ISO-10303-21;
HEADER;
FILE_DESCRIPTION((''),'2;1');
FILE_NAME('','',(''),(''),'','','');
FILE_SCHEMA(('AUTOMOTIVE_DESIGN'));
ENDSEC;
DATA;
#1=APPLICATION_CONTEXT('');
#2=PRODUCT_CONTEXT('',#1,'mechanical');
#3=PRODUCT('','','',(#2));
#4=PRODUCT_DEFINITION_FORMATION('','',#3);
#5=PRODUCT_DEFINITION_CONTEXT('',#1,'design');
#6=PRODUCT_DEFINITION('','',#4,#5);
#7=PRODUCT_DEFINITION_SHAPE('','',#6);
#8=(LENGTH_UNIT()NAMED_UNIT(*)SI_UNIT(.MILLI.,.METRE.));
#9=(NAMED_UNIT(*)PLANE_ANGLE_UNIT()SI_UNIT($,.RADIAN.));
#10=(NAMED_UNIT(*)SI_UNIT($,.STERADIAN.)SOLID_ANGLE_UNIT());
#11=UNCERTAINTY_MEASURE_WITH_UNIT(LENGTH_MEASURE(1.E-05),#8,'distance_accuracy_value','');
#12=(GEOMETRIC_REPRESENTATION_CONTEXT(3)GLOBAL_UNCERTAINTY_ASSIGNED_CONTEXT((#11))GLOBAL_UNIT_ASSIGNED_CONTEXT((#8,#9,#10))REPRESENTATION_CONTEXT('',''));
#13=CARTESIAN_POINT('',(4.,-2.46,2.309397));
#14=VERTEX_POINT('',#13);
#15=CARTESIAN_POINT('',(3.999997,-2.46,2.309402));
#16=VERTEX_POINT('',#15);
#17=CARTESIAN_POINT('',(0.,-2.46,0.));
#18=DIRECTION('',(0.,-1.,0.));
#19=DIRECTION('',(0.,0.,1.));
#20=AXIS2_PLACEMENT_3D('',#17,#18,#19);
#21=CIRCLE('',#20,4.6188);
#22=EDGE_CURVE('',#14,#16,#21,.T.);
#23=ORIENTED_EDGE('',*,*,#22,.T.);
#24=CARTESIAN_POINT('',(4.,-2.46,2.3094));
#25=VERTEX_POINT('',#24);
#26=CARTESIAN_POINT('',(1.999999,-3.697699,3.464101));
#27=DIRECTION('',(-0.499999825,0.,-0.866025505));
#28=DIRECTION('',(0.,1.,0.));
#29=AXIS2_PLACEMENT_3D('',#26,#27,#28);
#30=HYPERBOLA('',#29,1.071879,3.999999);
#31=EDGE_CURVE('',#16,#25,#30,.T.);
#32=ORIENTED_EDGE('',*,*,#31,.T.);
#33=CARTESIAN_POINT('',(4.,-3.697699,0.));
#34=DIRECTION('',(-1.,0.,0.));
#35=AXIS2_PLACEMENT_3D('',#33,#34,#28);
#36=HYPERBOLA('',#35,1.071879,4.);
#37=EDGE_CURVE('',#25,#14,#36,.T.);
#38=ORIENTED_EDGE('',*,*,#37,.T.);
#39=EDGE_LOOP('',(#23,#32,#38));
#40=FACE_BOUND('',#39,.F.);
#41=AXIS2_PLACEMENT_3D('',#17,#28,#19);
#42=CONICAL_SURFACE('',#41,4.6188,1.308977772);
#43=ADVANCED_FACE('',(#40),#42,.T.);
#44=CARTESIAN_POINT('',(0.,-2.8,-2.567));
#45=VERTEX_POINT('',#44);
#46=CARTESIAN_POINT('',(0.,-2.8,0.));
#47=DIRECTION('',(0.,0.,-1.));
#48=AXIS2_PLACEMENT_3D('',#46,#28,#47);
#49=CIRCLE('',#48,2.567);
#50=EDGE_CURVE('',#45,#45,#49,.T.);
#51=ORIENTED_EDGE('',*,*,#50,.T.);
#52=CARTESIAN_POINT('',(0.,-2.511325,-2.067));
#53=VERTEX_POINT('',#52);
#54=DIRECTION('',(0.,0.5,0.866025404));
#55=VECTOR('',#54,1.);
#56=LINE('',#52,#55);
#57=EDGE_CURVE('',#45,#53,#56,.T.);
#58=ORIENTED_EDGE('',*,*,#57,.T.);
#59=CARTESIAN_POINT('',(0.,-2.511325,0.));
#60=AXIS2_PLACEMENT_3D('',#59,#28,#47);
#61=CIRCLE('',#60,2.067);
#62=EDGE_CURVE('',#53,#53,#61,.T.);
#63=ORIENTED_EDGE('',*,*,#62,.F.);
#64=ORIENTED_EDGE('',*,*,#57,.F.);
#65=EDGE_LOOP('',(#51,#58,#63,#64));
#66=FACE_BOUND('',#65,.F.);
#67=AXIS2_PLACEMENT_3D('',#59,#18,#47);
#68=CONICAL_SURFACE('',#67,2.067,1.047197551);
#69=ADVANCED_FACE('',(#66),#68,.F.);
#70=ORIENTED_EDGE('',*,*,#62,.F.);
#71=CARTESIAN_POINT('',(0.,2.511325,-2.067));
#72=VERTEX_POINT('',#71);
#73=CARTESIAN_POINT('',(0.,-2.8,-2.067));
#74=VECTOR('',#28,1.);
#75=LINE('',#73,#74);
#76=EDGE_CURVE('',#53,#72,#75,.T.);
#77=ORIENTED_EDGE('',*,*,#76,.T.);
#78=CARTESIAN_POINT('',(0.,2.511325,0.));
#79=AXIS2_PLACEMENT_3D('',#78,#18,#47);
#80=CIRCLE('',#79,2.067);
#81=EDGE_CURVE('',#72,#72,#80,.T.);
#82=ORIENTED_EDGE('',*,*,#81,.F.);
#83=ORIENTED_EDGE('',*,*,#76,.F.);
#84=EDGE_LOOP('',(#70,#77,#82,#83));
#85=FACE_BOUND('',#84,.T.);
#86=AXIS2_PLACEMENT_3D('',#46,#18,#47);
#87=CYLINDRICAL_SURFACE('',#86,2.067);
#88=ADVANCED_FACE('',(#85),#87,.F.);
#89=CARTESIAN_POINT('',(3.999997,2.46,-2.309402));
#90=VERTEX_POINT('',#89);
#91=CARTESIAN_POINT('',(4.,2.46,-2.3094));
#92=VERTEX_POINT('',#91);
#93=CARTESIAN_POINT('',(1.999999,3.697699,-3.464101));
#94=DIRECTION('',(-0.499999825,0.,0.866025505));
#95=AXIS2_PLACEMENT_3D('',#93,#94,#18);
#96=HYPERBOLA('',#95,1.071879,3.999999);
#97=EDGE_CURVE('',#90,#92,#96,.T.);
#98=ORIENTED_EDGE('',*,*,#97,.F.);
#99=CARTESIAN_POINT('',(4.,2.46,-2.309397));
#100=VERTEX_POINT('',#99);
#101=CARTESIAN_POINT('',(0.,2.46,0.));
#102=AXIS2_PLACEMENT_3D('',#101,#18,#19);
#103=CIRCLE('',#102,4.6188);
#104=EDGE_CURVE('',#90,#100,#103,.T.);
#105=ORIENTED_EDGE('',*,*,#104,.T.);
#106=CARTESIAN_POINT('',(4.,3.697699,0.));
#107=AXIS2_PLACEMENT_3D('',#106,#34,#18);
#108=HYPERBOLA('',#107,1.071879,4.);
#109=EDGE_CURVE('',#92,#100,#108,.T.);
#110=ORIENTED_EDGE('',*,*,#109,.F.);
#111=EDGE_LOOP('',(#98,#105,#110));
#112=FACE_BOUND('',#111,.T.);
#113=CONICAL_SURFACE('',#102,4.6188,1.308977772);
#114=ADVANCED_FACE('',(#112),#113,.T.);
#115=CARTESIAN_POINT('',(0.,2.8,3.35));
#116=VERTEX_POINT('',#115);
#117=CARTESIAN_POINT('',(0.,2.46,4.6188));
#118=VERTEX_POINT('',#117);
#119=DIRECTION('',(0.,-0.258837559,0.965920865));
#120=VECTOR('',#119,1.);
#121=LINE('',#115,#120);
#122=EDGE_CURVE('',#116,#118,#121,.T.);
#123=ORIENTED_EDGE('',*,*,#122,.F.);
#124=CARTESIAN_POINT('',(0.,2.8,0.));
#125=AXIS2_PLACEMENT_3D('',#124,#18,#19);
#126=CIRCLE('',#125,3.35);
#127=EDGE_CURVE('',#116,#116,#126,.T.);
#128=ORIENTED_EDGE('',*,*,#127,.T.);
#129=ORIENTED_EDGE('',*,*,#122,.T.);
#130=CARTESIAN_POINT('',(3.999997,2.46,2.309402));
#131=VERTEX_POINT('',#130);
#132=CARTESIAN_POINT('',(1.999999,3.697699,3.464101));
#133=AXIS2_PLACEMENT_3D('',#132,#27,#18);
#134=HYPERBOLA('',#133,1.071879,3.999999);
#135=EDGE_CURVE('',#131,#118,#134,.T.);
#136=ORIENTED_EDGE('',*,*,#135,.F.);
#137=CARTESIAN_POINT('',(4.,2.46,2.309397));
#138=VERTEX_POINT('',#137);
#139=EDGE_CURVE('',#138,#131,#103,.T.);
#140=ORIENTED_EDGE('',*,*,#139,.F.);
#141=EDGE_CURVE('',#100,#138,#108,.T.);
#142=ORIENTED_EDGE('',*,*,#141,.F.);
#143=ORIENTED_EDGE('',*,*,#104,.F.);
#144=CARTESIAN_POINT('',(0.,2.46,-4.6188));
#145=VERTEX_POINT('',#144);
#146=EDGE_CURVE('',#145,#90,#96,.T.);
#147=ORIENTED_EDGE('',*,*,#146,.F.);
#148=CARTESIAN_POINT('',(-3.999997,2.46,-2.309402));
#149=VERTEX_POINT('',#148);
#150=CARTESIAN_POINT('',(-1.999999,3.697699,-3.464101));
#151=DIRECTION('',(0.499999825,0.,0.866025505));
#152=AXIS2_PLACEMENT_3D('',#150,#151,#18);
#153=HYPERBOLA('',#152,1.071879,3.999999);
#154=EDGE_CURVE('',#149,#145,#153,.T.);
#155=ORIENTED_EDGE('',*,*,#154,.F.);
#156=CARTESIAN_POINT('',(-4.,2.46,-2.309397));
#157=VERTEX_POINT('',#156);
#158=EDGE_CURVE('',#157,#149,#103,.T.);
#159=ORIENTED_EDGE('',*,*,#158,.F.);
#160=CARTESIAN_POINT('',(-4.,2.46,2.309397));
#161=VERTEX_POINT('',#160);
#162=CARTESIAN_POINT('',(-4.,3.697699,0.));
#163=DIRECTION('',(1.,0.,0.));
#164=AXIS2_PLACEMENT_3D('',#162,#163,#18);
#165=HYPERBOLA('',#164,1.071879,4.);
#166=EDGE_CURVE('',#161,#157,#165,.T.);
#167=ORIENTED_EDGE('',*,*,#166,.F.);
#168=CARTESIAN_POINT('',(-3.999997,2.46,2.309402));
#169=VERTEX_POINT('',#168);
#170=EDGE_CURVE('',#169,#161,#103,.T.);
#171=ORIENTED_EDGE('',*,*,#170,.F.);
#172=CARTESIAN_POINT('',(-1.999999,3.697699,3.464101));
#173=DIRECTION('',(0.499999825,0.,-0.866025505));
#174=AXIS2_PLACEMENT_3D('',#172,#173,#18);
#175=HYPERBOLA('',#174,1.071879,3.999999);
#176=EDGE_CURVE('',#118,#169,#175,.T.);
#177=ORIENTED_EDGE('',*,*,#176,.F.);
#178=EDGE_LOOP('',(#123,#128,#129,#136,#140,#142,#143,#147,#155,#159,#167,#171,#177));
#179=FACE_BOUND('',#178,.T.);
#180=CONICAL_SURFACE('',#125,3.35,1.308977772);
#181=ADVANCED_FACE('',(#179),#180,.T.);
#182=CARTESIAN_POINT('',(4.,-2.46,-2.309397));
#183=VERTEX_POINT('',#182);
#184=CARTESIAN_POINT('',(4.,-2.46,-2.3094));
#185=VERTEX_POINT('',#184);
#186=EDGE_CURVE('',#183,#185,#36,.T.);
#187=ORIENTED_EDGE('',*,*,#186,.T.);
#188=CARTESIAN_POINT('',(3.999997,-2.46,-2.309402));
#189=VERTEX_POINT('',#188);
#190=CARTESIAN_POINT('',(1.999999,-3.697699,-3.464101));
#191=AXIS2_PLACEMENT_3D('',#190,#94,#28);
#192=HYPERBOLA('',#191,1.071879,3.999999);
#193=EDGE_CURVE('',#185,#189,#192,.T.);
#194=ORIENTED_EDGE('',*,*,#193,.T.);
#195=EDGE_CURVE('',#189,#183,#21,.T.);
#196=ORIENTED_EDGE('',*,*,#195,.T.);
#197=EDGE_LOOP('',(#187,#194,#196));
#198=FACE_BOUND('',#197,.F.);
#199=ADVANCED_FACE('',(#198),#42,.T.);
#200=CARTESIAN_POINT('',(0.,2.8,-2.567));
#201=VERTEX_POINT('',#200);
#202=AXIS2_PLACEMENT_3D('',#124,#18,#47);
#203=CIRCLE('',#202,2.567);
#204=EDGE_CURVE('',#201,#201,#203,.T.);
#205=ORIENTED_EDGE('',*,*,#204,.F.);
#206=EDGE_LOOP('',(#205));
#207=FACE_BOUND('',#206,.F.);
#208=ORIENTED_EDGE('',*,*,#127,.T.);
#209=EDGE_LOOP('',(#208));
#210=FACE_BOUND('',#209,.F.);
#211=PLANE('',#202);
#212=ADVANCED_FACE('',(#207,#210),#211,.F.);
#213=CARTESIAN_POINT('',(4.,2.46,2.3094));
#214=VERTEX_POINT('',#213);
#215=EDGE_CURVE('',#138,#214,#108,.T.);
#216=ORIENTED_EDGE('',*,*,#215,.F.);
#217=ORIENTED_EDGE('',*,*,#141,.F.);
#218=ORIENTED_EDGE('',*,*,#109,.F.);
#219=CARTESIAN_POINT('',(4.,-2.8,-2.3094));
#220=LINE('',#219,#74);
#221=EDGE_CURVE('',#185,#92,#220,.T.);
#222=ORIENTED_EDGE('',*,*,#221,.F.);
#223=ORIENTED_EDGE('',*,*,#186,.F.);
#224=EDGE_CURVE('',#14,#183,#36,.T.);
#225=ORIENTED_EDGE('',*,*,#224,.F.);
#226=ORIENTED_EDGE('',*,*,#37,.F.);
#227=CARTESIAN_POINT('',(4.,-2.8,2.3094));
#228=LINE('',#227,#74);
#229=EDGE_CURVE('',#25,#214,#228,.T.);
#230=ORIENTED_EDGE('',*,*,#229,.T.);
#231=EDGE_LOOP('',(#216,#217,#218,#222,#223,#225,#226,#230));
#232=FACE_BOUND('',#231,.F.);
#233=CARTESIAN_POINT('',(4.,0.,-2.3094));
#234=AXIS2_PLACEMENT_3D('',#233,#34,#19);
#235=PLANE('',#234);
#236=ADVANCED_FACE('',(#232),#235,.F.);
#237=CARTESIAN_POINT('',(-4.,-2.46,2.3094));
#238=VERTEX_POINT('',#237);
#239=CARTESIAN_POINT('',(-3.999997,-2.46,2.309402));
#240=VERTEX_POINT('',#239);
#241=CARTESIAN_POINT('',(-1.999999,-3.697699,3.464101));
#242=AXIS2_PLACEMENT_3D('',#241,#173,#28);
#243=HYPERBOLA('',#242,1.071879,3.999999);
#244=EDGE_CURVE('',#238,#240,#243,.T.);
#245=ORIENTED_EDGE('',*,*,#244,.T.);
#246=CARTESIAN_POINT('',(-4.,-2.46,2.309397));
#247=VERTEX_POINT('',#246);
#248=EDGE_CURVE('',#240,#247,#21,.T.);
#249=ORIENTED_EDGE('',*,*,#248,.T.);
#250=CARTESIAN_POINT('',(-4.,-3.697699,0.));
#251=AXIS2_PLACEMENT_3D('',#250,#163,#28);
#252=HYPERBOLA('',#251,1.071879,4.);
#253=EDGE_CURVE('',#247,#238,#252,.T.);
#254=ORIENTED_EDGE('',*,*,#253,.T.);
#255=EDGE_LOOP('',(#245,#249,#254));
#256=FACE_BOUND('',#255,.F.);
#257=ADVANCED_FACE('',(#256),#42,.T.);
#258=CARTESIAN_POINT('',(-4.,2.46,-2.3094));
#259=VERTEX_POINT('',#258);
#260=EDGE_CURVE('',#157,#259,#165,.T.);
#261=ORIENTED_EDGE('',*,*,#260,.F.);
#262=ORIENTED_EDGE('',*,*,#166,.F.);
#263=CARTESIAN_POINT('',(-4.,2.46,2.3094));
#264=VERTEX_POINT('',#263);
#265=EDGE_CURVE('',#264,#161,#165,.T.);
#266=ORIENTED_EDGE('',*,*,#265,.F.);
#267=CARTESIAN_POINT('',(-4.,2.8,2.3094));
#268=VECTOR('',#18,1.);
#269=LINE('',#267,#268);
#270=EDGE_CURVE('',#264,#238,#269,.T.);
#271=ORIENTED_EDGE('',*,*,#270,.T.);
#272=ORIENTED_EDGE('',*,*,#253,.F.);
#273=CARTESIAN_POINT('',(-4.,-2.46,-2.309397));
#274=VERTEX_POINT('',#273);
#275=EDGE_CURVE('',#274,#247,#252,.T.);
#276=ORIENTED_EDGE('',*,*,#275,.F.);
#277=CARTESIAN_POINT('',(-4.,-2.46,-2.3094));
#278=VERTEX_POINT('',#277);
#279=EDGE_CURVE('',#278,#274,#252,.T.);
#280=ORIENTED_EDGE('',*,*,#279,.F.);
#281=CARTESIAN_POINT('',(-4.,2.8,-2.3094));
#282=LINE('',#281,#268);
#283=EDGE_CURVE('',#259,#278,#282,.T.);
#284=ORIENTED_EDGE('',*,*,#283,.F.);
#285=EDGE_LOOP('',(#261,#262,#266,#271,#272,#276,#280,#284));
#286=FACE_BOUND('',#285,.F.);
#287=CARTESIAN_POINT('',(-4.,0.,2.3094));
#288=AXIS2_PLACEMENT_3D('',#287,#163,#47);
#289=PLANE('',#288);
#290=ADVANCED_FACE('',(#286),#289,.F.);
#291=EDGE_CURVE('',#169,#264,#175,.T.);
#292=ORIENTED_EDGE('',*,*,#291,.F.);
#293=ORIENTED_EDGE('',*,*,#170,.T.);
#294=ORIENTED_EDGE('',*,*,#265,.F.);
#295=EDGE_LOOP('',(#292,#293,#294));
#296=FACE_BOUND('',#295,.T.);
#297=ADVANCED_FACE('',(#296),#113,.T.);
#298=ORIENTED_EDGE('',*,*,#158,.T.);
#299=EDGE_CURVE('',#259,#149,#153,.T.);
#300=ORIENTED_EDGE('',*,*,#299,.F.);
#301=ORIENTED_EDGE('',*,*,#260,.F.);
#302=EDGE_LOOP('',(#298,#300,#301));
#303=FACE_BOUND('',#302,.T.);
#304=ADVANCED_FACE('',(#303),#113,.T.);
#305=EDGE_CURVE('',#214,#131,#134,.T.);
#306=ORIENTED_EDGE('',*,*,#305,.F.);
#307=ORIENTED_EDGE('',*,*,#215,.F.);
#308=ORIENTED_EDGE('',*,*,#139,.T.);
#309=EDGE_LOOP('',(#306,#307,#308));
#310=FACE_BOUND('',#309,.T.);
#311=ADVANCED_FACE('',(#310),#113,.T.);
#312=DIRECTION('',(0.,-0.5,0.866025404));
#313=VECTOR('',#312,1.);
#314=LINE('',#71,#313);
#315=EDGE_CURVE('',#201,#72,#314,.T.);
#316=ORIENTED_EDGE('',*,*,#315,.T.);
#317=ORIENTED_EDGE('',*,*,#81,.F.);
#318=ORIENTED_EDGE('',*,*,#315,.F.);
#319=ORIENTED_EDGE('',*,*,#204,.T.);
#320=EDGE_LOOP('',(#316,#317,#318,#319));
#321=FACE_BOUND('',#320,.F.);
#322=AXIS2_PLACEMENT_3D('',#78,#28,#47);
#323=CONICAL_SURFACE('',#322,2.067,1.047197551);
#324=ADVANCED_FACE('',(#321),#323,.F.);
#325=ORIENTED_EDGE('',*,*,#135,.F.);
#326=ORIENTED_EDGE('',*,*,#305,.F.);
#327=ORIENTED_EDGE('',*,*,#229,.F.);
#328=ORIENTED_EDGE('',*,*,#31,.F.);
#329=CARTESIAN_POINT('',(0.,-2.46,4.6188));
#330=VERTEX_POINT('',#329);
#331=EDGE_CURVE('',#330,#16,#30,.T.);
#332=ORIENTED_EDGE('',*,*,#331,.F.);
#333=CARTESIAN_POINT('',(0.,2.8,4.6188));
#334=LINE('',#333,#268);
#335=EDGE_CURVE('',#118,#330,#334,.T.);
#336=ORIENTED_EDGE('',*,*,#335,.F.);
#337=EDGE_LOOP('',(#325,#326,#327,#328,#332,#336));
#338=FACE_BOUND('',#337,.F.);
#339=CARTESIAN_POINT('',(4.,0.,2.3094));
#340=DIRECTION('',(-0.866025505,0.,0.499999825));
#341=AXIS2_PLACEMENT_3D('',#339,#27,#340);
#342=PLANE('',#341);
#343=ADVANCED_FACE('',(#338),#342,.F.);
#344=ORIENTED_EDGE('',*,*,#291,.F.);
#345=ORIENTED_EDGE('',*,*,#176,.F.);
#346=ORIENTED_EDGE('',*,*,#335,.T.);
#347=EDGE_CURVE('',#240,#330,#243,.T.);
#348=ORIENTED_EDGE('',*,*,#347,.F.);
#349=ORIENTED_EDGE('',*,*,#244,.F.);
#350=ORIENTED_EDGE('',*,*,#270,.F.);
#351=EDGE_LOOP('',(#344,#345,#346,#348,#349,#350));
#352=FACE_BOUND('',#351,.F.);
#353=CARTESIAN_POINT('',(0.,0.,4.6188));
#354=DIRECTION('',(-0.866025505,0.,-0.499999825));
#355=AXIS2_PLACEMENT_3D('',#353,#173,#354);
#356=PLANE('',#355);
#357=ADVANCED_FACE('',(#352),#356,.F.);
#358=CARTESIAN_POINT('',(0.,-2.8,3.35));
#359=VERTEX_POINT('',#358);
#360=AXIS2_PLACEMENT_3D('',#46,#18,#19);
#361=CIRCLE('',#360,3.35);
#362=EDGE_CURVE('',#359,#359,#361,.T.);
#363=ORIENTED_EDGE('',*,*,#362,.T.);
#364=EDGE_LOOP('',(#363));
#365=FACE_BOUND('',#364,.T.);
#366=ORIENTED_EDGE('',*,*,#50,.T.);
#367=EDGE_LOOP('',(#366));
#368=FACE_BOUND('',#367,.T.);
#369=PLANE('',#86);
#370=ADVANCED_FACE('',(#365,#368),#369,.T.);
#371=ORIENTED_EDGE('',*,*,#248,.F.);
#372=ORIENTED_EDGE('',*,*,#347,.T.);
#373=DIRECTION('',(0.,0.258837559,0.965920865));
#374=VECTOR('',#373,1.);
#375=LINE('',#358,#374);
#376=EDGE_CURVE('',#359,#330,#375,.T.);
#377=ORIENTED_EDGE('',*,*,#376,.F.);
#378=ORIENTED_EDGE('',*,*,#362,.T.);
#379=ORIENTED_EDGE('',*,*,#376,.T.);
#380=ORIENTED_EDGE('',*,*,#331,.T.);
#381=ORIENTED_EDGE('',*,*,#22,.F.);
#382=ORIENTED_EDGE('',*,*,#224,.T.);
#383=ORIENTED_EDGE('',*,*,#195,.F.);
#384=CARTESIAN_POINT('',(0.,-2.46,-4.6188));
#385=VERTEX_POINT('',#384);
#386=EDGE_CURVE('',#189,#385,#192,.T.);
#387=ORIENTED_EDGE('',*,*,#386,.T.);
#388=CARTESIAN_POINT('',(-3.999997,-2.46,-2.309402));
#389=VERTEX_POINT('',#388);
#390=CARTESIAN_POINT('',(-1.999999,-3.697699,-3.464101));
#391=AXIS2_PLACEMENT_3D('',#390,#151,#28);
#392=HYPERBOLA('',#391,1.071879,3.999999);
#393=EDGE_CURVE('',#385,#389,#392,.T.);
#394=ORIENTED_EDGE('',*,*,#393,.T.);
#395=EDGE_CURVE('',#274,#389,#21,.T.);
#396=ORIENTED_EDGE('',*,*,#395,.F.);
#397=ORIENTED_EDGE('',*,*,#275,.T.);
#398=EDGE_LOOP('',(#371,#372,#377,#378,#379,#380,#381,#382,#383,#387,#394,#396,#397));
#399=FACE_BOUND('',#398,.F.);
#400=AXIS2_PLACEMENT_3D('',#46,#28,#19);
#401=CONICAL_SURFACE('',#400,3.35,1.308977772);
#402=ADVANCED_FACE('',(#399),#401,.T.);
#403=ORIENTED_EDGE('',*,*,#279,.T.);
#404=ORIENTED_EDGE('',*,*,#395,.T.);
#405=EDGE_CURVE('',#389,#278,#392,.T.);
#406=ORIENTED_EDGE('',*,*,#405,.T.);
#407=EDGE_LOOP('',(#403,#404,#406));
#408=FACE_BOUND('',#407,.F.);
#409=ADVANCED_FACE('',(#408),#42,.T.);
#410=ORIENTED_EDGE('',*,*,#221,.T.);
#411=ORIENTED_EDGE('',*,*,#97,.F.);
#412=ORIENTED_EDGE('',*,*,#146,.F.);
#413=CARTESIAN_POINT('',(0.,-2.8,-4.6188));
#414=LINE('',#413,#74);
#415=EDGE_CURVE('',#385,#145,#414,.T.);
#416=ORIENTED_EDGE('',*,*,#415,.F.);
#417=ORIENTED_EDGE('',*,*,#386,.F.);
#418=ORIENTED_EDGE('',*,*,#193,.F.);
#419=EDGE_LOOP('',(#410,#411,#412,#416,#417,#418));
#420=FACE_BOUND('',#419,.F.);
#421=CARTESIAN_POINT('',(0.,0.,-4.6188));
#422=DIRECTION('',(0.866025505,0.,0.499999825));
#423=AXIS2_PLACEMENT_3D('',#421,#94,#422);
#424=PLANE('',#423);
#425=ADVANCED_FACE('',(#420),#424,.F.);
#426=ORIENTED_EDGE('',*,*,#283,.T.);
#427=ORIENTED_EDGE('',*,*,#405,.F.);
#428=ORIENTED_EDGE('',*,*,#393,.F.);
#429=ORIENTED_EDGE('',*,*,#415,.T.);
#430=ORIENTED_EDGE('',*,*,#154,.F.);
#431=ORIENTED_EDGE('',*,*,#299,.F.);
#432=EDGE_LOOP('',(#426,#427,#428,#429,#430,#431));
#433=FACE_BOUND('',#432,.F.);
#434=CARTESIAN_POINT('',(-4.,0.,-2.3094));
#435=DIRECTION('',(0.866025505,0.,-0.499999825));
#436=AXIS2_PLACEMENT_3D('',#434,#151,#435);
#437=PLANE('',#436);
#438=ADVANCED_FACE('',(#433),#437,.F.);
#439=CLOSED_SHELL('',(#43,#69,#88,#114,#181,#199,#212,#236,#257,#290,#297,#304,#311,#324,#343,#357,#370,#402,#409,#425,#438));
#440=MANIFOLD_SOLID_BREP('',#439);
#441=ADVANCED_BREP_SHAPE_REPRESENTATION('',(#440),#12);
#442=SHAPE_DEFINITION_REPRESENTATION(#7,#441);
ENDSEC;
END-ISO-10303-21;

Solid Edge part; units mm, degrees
sketch "Sketch1" plane through (0, 0, 0) normal (0, -1, 0) x (1, 0, 0)
  line L0 (4, 2.3094) -> (0, 4.6188)
  line L1 (0, 4.6188) -> (-4, 2.3094)
  line L2 (-4, 2.3094) -> (-4, -2.3094)
  line L3 (-4, -2.3094) -> (0, -4.6188)
  line L4 (0, -4.6188) -> (4, -2.3094)
  line L5 (4, -2.3094) -> (4, 2.3094)
extrude "Protrusion1" add sketch "Sketch1" along normal mid plane 5.6
sketch "Sketch2" plane through (0, 0, 0) normal (1, 0, 0) x (0, 1, 0)
  line L0 (-2.8, 3.35) -> (-2.46, 4.6188)
revolve "RevolvedCutout1" cut sketch "Sketch2" angle 360 about axis through (0, 0, 0) along (0, -1, 0) material side at (0, -2.6783, 3.9973)
mirror "Mirror1" about plane through (0, 0, 0) normal (0, -1, 0) of "RevolvedCutout1"
hole "孔_7" at (0, -2.8, 0) direction (0, 1, 0) diameter 4.134 end up to next start chamfer 0.5 start chamfer angle 60 end chamfer 0.5 end chamfer angle 60
properties part number "N2611-1312" material "钢"
